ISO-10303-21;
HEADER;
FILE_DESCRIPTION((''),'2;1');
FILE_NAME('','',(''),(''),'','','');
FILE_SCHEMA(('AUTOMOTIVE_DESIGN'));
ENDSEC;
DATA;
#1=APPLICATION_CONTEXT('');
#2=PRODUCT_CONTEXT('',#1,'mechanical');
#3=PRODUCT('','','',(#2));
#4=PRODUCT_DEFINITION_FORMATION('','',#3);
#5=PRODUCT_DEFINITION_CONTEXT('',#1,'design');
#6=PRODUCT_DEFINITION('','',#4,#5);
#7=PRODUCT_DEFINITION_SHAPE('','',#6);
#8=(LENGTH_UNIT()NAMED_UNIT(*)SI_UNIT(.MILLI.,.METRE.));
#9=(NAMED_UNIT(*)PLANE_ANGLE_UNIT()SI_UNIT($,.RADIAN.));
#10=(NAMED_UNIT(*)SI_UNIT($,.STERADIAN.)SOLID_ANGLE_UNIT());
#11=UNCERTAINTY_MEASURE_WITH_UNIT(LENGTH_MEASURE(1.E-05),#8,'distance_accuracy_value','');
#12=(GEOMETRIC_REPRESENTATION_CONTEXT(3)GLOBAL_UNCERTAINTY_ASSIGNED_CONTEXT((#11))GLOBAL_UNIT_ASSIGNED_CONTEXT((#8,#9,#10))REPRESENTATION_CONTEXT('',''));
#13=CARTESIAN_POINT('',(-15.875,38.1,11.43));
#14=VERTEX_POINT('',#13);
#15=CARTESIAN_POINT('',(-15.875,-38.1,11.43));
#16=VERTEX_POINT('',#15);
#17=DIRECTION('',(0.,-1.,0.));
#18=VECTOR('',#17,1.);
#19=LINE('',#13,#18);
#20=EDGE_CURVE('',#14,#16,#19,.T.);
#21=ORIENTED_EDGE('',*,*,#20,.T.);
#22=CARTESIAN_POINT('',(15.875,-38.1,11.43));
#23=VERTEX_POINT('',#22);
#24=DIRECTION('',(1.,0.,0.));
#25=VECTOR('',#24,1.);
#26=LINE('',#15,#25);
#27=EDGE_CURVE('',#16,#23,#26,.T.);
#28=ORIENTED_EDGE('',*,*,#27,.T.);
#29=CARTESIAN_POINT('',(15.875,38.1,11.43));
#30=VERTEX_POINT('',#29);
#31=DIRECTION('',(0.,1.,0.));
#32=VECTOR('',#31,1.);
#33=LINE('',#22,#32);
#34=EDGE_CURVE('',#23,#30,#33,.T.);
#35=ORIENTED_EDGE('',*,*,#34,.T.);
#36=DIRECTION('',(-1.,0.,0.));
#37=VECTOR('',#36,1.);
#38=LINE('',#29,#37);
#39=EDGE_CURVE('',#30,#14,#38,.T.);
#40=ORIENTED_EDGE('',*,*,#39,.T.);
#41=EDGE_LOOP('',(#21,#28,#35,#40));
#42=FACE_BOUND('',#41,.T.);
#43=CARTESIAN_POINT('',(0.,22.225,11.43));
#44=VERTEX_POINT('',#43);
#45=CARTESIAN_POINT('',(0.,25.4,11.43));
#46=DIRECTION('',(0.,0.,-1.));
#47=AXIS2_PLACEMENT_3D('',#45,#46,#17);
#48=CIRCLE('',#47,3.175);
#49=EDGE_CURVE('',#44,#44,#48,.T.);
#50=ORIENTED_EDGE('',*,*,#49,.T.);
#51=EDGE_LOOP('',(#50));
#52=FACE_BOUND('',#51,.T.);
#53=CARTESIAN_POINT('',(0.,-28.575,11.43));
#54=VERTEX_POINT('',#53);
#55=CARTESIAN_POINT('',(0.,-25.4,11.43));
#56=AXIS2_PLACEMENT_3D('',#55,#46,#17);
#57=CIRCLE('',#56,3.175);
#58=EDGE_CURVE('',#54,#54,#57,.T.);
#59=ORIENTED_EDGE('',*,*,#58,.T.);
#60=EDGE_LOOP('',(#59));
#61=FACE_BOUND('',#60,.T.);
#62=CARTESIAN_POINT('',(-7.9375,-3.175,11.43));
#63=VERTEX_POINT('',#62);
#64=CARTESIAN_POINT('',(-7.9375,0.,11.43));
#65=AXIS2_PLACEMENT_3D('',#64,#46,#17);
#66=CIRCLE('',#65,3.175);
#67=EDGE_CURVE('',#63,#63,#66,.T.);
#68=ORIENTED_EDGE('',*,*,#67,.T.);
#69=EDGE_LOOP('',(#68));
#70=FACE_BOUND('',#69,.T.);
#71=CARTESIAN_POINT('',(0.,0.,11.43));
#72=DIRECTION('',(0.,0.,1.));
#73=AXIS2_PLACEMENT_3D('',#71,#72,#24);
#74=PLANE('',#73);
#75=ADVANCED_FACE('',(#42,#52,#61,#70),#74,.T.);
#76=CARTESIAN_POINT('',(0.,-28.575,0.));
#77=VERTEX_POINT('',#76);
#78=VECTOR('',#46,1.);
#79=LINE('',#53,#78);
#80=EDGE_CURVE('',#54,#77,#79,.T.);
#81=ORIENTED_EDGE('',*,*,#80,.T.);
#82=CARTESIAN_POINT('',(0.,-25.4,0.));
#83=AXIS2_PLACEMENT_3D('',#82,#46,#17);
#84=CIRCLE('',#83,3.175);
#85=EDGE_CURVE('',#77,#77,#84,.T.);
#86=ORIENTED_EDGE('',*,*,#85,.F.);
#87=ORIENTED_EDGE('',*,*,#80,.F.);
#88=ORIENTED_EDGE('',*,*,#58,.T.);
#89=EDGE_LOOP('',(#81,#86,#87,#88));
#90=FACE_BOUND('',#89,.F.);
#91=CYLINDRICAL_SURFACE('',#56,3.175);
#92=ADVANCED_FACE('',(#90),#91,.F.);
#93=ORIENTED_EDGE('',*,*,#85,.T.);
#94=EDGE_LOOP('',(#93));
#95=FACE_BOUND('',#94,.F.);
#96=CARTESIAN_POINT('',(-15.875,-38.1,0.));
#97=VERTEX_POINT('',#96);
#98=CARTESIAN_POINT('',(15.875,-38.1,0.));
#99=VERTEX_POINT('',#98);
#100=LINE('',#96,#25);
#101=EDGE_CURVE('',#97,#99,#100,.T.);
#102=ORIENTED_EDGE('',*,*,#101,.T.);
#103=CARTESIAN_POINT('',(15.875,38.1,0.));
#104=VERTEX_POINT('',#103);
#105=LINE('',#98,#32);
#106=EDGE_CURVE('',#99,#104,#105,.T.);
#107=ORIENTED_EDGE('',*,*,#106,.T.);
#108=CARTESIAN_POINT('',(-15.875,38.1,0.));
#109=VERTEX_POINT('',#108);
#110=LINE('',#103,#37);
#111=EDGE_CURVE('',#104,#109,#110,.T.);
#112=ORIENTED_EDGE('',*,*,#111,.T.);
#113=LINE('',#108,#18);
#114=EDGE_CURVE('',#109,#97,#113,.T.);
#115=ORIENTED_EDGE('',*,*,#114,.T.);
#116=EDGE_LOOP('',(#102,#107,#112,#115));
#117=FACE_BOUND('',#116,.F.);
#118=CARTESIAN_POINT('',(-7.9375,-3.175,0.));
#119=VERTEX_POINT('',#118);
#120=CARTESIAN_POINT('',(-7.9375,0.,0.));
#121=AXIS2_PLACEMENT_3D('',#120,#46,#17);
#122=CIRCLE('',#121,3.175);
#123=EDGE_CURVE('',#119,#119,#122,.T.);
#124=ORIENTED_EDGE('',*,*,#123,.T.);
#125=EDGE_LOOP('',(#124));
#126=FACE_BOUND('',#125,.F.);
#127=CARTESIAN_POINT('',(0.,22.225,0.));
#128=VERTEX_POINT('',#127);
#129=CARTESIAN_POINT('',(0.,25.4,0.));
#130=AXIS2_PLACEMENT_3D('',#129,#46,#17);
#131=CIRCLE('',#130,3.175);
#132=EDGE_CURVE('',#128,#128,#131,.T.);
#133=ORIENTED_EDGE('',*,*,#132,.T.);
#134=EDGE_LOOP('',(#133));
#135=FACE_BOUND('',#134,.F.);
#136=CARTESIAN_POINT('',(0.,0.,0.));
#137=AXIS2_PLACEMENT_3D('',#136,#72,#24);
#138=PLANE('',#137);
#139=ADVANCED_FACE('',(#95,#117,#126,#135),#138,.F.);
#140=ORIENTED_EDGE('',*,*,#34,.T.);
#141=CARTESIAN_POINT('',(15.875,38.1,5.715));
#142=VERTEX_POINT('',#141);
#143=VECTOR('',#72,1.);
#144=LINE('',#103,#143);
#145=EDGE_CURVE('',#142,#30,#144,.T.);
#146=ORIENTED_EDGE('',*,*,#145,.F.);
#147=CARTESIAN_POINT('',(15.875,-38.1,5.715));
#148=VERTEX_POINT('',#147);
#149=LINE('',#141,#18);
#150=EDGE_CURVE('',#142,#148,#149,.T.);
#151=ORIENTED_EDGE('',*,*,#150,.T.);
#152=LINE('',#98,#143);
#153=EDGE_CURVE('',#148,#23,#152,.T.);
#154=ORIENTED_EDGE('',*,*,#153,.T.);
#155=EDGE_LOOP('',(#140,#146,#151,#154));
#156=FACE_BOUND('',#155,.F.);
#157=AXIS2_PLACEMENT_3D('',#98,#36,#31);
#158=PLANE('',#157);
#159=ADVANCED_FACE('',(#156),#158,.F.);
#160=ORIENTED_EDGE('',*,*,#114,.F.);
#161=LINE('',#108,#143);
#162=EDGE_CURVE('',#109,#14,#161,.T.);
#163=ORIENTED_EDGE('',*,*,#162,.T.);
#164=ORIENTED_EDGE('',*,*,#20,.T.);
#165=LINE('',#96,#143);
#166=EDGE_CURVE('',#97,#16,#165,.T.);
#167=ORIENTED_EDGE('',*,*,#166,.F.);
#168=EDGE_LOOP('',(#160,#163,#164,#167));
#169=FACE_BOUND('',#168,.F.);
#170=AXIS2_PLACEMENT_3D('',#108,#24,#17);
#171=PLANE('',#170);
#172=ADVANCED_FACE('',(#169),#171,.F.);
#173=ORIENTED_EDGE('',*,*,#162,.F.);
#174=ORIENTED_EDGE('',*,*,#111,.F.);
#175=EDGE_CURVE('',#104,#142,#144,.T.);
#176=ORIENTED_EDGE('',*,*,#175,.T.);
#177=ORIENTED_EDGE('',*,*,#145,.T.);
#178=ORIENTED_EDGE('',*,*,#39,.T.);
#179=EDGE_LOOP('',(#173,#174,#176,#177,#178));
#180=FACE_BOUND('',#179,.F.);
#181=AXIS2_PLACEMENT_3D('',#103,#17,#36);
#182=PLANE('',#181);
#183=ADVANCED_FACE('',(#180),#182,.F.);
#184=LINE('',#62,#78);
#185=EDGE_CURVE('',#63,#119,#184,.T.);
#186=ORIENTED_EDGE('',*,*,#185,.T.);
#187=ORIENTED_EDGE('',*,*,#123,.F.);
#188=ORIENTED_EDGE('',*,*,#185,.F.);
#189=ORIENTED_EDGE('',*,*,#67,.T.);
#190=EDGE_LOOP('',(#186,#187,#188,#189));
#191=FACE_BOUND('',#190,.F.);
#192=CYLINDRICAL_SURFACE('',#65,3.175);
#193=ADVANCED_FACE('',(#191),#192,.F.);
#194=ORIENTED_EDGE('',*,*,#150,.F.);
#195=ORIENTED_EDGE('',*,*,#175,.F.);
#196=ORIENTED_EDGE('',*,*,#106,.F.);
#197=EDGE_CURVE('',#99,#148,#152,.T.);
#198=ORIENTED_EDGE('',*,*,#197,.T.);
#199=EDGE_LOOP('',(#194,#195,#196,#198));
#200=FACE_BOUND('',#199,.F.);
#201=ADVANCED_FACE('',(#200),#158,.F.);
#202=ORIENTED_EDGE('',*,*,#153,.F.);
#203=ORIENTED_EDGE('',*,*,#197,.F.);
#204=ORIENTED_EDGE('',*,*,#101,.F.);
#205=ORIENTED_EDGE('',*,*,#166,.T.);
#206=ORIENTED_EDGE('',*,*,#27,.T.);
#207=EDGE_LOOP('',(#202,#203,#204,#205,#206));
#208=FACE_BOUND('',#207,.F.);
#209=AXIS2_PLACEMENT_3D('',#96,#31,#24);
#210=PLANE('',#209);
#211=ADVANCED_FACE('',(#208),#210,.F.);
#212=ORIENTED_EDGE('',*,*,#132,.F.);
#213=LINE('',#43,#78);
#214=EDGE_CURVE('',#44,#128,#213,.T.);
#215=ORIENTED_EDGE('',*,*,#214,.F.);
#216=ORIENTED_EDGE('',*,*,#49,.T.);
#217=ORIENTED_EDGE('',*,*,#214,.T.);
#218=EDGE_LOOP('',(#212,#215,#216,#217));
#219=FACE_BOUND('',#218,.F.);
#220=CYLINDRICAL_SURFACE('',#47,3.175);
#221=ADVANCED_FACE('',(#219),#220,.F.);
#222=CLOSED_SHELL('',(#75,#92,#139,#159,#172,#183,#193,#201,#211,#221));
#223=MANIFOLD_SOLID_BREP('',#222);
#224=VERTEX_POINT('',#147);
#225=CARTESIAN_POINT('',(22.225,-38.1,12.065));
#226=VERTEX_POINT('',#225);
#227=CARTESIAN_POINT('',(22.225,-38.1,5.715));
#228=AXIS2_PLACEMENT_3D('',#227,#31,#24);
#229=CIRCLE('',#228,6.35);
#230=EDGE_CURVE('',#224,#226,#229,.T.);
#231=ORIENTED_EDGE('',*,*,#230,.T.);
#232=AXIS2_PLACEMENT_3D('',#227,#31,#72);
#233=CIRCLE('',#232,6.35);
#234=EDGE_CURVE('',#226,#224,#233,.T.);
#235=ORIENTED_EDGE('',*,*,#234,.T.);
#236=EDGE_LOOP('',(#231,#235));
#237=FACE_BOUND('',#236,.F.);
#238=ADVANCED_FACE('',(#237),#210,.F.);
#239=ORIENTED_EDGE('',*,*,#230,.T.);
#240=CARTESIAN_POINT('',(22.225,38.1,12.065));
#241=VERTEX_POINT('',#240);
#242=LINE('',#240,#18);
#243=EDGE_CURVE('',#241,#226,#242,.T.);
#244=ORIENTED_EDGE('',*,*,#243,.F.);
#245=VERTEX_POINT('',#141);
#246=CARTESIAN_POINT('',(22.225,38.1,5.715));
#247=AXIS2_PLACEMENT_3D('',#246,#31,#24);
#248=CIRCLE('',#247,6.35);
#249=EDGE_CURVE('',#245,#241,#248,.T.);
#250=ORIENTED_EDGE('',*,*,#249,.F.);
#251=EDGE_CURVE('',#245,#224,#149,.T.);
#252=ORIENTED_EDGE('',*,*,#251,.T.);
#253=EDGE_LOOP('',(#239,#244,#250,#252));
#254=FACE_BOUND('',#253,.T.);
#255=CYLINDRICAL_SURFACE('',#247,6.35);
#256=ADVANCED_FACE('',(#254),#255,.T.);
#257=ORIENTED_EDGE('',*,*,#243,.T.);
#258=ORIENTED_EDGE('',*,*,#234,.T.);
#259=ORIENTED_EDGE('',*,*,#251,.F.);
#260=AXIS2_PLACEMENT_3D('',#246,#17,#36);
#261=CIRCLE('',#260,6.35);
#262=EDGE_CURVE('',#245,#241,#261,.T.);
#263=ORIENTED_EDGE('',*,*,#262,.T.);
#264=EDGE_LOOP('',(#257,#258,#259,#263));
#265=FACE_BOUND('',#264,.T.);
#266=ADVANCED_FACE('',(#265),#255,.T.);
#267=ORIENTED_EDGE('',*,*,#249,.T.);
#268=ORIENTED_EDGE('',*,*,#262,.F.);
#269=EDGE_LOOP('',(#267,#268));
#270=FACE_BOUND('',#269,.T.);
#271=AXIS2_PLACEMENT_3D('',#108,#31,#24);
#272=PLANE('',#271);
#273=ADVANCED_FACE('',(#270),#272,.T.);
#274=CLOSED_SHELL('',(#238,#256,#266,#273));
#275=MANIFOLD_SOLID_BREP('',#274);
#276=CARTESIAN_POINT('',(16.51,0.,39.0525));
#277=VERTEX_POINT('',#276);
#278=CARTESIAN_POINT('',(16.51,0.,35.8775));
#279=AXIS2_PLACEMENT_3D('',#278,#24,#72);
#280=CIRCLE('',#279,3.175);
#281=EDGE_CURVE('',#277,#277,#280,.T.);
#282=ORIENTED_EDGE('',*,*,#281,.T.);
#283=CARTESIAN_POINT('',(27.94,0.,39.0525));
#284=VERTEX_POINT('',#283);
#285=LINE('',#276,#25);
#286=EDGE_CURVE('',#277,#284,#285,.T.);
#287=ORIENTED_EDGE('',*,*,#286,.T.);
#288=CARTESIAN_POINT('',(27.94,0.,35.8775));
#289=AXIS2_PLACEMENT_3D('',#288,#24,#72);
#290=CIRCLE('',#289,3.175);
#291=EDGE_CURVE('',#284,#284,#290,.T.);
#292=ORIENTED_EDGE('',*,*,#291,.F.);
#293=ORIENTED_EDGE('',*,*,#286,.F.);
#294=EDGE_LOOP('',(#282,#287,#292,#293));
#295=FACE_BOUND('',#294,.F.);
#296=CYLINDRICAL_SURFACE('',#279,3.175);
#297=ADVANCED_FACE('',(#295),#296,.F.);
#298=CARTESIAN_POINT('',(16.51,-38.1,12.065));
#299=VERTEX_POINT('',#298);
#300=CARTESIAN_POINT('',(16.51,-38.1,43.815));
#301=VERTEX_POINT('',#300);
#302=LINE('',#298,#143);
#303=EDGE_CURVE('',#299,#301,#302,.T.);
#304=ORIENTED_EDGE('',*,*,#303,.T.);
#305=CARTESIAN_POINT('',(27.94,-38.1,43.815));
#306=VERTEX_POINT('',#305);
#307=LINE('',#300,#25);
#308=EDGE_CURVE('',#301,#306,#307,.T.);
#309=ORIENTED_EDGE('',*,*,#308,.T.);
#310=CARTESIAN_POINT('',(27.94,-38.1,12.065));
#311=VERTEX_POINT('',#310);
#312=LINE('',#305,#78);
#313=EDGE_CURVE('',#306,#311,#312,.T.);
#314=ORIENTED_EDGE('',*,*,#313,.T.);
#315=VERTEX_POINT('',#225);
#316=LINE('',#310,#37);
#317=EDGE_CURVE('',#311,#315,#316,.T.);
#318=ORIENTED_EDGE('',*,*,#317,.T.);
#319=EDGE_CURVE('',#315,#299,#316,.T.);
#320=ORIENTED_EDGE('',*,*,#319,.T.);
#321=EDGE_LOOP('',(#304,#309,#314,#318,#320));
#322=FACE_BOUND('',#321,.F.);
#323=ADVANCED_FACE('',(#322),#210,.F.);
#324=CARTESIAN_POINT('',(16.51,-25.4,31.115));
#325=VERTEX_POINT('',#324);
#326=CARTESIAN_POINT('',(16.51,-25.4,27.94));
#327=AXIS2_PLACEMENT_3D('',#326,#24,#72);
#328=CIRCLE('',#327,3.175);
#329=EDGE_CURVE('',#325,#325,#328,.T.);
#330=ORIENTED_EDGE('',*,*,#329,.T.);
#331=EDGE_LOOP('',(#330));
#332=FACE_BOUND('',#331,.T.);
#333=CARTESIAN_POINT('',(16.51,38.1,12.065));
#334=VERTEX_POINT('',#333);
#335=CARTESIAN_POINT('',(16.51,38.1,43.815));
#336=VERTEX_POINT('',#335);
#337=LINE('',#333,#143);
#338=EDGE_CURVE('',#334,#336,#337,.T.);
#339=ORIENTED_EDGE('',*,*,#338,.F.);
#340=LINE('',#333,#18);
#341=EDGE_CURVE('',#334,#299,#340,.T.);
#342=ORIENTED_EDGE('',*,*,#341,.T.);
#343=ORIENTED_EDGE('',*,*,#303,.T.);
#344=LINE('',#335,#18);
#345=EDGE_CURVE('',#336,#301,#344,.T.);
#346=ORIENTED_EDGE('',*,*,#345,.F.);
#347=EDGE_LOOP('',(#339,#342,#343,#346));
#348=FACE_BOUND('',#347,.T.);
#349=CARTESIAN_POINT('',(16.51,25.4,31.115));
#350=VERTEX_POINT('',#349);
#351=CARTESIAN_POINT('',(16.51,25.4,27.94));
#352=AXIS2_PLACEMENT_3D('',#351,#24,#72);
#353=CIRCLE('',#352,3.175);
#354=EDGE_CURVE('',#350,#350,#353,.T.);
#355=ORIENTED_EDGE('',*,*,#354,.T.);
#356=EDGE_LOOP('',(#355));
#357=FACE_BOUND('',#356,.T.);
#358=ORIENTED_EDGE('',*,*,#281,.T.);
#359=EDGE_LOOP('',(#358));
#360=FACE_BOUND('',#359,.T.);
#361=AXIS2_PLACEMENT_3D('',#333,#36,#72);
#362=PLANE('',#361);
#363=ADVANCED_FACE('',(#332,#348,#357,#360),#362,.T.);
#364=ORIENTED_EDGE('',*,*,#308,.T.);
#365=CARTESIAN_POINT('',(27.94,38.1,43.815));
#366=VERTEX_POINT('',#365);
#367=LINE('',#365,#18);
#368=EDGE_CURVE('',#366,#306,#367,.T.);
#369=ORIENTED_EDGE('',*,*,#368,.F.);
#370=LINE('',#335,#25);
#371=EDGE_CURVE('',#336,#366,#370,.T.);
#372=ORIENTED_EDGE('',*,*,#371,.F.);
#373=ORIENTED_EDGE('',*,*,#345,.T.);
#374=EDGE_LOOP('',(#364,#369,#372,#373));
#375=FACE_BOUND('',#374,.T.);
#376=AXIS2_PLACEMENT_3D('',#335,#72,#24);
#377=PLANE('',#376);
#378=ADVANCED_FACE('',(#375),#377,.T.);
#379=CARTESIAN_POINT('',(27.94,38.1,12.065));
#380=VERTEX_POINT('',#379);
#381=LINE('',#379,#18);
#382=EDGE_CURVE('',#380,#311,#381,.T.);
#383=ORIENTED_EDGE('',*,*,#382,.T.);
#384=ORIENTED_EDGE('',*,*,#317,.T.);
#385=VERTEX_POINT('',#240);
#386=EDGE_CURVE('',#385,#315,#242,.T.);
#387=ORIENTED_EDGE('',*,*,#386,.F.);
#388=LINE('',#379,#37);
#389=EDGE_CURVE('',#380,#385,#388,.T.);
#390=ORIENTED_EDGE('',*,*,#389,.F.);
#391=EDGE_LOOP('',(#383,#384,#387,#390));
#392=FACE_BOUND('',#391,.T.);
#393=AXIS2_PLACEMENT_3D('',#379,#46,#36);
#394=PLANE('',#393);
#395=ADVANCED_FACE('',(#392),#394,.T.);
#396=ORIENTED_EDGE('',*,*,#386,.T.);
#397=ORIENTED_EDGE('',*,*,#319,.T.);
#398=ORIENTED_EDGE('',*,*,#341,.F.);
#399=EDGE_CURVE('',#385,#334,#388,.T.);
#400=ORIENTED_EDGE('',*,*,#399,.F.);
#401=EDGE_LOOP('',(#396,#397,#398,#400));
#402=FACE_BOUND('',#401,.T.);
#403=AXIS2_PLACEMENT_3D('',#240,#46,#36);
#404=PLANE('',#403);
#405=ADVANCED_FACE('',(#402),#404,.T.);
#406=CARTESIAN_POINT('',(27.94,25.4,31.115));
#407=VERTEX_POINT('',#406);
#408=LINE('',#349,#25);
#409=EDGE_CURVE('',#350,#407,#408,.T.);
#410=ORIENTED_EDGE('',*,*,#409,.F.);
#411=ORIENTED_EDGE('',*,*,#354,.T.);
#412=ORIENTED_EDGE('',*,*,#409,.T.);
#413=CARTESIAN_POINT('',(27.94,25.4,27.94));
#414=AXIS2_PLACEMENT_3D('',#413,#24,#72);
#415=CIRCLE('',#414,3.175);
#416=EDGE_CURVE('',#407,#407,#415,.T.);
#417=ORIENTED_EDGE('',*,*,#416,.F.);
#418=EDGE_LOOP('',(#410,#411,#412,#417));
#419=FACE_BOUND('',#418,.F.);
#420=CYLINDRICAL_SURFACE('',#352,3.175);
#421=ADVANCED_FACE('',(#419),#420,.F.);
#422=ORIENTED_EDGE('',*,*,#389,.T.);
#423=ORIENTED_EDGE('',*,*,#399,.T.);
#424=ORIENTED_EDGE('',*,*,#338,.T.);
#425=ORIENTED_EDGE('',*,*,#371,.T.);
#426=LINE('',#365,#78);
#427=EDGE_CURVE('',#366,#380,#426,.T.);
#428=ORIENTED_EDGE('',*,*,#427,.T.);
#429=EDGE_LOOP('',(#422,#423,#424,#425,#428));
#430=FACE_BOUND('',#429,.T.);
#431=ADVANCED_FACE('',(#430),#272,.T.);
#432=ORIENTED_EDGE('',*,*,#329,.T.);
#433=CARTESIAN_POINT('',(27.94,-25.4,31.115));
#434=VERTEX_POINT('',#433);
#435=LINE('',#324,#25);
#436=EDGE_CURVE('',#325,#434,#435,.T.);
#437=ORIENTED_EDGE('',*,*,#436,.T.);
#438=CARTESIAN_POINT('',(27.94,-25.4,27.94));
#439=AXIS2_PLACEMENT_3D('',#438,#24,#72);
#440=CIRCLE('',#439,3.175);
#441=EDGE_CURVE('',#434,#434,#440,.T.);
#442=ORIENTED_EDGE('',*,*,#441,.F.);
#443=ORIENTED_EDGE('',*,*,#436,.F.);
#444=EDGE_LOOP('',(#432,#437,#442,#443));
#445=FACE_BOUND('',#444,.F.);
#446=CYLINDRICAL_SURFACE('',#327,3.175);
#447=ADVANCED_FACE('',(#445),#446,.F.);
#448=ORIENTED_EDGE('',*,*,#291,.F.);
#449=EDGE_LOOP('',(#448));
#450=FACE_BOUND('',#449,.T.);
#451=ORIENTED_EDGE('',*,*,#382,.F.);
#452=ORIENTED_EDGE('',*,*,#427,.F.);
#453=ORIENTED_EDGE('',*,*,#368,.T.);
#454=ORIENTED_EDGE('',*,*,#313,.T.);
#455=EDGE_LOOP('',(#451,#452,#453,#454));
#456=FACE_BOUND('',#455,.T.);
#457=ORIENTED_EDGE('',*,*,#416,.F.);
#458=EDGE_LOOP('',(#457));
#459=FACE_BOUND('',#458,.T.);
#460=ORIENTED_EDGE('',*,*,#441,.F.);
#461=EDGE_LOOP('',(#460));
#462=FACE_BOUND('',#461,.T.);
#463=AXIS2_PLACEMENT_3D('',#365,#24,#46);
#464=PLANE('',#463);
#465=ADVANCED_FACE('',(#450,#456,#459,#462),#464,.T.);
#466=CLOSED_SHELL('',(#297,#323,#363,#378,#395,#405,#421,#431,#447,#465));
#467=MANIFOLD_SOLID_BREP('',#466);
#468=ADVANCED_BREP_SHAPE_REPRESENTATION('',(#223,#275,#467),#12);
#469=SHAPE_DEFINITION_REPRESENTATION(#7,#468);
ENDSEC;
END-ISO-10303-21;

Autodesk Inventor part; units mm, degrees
ref_plane "YZ Plane" through (0, 0, 0) normal (1, 0, 0) x (0, 1, 0)
ref_plane "XZ Plane" through (0, 0, 0) normal (0, 1, 0) x (-1, 0, 0)
ref_plane "XY Plane" through (0, 0, 0) normal (0, 0, 1) x (1, 0, 0)
sketch "Sketch1" plane through (0, 0, 0) normal (0, 0, 1) x (1, 0, 0)
  line L0 (-15.875, -38.1) -> (15.875, -38.1)
  line L1 (15.875, -38.1) -> (15.875, 38.1)
  line L2 (15.875, 38.1) -> (-15.875, 38.1)
  line L3 (-15.875, 38.1) -> (-15.875, -38.1)
  line L4 (-15.875, -38.1) -> (15.875, 38.1) construction
  line L5 (15.875, -38.1) -> (-15.875, 38.1) construction
  point P0 (0, 0)
  dimension "d0" = 76.2
  dimension "d1" = 31.75
extrude "Extrusion1" add sketch "Sketch1" along normal blind 11.43
sketch "Sketch2" plane through (-15.875, 38.1, 0) normal (0, 1, 0) x (1, 0, 0)
  circle A0 centre (38.1, -5.715) radius 6.35
  line L0 (0, 0) -> (0, -11.43) projected
  line L1 (31.75, 0) -> (31.75, -11.43) projected
  line L2 (32.385, -43.815) -> (43.815, -43.815)
  line L3 (43.815, -43.815) -> (43.815, -12.065)
  line L4 (43.815, -12.065) -> (32.385, -12.065)
  line L5 (32.385, -12.065) -> (32.385, -43.815)
  line L6 (32.385, -43.815) -> (43.815, -12.065) construction
  line L7 (43.815, -43.815) -> (32.385, -12.065) construction
  point P0 (15.875, 0)
  point P1 (0, -5.715)
  point P2 (31.75, -5.715)
  point P3 (31.75, -5.715)
  point P4 (38.1, -27.94)
  point P5 (38.1, -12.065)
  point P6 (31.75, -5.715)
  point P7 (38.1, -27.94)
  dimension "d4" = 12.7
  dimension "d5" = 31.75
  dimension "d6" = 11.43
extrude "Extrusion2" add sketch "Sketch2" against normal blind 76.2
sketch "Sketch3" plane through (0, 0, 11.43) normal (0, 0, 1) x (1, 0, 0)
  circle A0 centre (-7.9375, 0) radius 3.175
  circle A1 centre (0, 25.4) radius 3.175
  circle A2 centre (0, -25.4) radius 3.175
  point P0 (0, 0)
  dimension "d9" = 6.35
  dimension "d10" = 7.9375
  dimension "d11" = 6.35
  dimension "d12" = 6.35
  dimension "d13" = 25.4
  dimension "d14" = 25.4
sketch "Sketch4" plane through (16.51, 38.1, 12.065) normal (-1, 0, 0) x (0, 0, 1)
  circle A0 centre (23.8125, -38.1) radius 3.175
  circle A1 centre (15.875, -12.7) radius 3.175
  circle A2 centre (15.875, -63.5) radius 3.175
  line L0 (31.75, 0) -> (31.75, -76.2) projected
  line L1 (0, 0) -> (31.75, 0) projected
  line L2 (31.75, -76.2) -> (0, -76.2) projected
  line L3 (15.875, 0) -> (15.875, -76.2)
  line L4 (0, -76.2) -> (31.75, -76.2) projected
  line L5 (31.75, -38.1) -> (0.7842, -38.1)
  point P0 (-12.065, -38.1)
  dimension "d15" = 6.35
  dimension "d16" = 7.9375
  dimension "d17" = 25.4
  dimension "d18" = 25.4
  dimension "d19" = 6.35
  dimension "d20" = 6.35
hole "Hole1" at (0, 25.4, 11.43) at (-7.9375, 0, 11.43) at (0, -25.4, 11.43) direction (0, 0, -1) diameter 6.35 depth 25.4 tip angle 118
hole "Hole2" at (16.51, 0, 35.8775) at (16.51, -25.4, 27.94) at (16.51, 25.4, 27.94) direction (1, 0, 0) diameter 6.35 depth 25.4 tip angle 118
properties part number "hinges (for assembly)"
